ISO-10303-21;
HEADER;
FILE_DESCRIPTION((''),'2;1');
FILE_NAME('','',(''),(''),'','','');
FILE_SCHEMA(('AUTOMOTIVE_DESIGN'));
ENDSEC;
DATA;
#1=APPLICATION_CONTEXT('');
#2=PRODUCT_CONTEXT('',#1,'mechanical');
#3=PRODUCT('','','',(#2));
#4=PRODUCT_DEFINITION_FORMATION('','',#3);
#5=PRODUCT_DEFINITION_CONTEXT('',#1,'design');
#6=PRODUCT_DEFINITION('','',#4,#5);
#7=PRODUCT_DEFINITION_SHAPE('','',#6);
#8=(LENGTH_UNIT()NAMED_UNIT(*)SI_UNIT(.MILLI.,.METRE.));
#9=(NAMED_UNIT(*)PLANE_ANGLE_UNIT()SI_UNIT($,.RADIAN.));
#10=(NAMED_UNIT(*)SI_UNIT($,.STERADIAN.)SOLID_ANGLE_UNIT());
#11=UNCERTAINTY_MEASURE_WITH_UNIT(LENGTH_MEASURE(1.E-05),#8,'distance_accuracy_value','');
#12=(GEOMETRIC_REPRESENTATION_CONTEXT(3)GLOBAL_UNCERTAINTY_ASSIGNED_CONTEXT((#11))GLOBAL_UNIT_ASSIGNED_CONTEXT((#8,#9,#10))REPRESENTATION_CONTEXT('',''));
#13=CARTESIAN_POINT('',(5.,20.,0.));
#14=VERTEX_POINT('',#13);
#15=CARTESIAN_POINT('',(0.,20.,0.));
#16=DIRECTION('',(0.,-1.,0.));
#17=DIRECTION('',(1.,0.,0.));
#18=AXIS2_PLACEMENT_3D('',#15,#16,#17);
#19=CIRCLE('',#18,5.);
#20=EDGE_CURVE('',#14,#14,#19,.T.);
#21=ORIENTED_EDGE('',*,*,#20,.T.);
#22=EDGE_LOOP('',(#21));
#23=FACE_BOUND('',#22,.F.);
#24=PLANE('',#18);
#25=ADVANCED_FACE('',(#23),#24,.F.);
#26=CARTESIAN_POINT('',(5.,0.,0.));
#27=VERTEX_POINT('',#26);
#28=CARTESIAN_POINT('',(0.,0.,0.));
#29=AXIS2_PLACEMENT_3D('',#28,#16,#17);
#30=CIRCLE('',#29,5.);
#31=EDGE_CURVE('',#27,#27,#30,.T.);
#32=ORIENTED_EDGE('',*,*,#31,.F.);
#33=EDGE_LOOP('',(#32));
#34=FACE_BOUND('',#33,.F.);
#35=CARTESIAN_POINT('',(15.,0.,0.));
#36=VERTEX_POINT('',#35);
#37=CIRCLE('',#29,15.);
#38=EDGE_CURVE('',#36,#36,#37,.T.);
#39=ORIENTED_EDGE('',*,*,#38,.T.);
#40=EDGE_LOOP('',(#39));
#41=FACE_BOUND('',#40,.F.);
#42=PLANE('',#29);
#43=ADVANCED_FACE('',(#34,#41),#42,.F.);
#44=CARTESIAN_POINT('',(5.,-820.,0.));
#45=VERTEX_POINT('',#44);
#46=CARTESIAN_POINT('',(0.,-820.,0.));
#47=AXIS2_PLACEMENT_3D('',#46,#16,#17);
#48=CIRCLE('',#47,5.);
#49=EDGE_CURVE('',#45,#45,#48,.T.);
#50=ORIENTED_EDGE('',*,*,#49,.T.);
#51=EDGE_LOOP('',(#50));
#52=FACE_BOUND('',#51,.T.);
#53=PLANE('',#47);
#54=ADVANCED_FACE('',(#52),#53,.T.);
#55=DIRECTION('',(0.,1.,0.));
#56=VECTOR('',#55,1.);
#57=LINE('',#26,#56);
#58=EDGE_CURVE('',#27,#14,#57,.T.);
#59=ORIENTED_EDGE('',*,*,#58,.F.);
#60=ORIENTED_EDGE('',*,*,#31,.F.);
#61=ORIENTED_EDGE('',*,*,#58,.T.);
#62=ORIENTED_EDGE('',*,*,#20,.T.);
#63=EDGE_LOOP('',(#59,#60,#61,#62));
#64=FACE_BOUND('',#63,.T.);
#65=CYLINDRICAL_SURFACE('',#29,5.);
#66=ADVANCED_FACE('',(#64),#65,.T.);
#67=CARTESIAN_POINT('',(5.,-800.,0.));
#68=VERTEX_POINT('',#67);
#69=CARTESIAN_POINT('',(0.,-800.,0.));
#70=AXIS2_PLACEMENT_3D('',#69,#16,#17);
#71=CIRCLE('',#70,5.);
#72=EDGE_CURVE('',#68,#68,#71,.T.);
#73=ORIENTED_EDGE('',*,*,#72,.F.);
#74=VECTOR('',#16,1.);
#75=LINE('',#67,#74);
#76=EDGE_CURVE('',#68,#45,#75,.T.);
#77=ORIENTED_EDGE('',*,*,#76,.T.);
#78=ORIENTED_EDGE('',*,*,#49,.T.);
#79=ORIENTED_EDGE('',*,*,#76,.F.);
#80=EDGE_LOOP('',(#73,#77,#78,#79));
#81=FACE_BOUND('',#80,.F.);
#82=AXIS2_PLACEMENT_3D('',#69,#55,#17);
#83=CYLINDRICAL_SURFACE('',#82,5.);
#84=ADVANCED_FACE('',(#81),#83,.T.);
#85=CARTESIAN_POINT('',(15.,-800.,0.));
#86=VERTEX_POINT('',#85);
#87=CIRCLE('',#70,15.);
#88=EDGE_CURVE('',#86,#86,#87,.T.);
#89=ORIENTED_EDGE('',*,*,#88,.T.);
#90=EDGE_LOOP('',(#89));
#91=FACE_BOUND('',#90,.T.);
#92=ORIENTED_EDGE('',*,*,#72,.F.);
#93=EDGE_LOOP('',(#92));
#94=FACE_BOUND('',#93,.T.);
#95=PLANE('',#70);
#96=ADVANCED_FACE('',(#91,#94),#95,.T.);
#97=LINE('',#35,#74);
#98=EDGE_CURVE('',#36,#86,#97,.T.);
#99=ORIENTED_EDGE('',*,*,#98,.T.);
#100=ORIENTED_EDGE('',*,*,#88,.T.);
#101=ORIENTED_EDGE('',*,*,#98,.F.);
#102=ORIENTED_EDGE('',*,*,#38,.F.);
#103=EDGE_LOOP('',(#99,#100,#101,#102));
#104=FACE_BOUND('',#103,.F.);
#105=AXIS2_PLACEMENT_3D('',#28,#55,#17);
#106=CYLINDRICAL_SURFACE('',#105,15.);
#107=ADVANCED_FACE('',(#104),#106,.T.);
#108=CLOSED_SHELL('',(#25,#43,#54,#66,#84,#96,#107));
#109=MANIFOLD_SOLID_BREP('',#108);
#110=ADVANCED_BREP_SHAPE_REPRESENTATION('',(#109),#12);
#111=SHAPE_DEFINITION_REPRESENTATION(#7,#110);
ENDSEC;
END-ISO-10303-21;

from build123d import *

# Parameters (mm, degrees)
F0_R     = 15
F0_R_2   = 5
F1_DEPTH = 800
F2_DEPTH = 20
F4_R     = 5
F5_DEPTH = 20


with BuildPart() as f1:
    # F0 (on Front) → F1 (new body)
    with BuildSketch(Plane.XZ):
        Circle(F0_R)
        Circle(F0_R_2, mode=Mode.SUBTRACT)
        Circle(F0_R_2)
    extrude(amount=F1_DEPTH)

    # F0 (on Front) → F2 (join)
    with BuildSketch(Plane.XZ):
        Circle(F0_R_2)
    extrude(amount=-F2_DEPTH)

    # F4 (on offset) → F5 (join)
    with BuildSketch(Plane.XZ.offset(800)):
        Circle(F4_R)
    extrude(amount=F5_DEPTH)


solid = f1.part
